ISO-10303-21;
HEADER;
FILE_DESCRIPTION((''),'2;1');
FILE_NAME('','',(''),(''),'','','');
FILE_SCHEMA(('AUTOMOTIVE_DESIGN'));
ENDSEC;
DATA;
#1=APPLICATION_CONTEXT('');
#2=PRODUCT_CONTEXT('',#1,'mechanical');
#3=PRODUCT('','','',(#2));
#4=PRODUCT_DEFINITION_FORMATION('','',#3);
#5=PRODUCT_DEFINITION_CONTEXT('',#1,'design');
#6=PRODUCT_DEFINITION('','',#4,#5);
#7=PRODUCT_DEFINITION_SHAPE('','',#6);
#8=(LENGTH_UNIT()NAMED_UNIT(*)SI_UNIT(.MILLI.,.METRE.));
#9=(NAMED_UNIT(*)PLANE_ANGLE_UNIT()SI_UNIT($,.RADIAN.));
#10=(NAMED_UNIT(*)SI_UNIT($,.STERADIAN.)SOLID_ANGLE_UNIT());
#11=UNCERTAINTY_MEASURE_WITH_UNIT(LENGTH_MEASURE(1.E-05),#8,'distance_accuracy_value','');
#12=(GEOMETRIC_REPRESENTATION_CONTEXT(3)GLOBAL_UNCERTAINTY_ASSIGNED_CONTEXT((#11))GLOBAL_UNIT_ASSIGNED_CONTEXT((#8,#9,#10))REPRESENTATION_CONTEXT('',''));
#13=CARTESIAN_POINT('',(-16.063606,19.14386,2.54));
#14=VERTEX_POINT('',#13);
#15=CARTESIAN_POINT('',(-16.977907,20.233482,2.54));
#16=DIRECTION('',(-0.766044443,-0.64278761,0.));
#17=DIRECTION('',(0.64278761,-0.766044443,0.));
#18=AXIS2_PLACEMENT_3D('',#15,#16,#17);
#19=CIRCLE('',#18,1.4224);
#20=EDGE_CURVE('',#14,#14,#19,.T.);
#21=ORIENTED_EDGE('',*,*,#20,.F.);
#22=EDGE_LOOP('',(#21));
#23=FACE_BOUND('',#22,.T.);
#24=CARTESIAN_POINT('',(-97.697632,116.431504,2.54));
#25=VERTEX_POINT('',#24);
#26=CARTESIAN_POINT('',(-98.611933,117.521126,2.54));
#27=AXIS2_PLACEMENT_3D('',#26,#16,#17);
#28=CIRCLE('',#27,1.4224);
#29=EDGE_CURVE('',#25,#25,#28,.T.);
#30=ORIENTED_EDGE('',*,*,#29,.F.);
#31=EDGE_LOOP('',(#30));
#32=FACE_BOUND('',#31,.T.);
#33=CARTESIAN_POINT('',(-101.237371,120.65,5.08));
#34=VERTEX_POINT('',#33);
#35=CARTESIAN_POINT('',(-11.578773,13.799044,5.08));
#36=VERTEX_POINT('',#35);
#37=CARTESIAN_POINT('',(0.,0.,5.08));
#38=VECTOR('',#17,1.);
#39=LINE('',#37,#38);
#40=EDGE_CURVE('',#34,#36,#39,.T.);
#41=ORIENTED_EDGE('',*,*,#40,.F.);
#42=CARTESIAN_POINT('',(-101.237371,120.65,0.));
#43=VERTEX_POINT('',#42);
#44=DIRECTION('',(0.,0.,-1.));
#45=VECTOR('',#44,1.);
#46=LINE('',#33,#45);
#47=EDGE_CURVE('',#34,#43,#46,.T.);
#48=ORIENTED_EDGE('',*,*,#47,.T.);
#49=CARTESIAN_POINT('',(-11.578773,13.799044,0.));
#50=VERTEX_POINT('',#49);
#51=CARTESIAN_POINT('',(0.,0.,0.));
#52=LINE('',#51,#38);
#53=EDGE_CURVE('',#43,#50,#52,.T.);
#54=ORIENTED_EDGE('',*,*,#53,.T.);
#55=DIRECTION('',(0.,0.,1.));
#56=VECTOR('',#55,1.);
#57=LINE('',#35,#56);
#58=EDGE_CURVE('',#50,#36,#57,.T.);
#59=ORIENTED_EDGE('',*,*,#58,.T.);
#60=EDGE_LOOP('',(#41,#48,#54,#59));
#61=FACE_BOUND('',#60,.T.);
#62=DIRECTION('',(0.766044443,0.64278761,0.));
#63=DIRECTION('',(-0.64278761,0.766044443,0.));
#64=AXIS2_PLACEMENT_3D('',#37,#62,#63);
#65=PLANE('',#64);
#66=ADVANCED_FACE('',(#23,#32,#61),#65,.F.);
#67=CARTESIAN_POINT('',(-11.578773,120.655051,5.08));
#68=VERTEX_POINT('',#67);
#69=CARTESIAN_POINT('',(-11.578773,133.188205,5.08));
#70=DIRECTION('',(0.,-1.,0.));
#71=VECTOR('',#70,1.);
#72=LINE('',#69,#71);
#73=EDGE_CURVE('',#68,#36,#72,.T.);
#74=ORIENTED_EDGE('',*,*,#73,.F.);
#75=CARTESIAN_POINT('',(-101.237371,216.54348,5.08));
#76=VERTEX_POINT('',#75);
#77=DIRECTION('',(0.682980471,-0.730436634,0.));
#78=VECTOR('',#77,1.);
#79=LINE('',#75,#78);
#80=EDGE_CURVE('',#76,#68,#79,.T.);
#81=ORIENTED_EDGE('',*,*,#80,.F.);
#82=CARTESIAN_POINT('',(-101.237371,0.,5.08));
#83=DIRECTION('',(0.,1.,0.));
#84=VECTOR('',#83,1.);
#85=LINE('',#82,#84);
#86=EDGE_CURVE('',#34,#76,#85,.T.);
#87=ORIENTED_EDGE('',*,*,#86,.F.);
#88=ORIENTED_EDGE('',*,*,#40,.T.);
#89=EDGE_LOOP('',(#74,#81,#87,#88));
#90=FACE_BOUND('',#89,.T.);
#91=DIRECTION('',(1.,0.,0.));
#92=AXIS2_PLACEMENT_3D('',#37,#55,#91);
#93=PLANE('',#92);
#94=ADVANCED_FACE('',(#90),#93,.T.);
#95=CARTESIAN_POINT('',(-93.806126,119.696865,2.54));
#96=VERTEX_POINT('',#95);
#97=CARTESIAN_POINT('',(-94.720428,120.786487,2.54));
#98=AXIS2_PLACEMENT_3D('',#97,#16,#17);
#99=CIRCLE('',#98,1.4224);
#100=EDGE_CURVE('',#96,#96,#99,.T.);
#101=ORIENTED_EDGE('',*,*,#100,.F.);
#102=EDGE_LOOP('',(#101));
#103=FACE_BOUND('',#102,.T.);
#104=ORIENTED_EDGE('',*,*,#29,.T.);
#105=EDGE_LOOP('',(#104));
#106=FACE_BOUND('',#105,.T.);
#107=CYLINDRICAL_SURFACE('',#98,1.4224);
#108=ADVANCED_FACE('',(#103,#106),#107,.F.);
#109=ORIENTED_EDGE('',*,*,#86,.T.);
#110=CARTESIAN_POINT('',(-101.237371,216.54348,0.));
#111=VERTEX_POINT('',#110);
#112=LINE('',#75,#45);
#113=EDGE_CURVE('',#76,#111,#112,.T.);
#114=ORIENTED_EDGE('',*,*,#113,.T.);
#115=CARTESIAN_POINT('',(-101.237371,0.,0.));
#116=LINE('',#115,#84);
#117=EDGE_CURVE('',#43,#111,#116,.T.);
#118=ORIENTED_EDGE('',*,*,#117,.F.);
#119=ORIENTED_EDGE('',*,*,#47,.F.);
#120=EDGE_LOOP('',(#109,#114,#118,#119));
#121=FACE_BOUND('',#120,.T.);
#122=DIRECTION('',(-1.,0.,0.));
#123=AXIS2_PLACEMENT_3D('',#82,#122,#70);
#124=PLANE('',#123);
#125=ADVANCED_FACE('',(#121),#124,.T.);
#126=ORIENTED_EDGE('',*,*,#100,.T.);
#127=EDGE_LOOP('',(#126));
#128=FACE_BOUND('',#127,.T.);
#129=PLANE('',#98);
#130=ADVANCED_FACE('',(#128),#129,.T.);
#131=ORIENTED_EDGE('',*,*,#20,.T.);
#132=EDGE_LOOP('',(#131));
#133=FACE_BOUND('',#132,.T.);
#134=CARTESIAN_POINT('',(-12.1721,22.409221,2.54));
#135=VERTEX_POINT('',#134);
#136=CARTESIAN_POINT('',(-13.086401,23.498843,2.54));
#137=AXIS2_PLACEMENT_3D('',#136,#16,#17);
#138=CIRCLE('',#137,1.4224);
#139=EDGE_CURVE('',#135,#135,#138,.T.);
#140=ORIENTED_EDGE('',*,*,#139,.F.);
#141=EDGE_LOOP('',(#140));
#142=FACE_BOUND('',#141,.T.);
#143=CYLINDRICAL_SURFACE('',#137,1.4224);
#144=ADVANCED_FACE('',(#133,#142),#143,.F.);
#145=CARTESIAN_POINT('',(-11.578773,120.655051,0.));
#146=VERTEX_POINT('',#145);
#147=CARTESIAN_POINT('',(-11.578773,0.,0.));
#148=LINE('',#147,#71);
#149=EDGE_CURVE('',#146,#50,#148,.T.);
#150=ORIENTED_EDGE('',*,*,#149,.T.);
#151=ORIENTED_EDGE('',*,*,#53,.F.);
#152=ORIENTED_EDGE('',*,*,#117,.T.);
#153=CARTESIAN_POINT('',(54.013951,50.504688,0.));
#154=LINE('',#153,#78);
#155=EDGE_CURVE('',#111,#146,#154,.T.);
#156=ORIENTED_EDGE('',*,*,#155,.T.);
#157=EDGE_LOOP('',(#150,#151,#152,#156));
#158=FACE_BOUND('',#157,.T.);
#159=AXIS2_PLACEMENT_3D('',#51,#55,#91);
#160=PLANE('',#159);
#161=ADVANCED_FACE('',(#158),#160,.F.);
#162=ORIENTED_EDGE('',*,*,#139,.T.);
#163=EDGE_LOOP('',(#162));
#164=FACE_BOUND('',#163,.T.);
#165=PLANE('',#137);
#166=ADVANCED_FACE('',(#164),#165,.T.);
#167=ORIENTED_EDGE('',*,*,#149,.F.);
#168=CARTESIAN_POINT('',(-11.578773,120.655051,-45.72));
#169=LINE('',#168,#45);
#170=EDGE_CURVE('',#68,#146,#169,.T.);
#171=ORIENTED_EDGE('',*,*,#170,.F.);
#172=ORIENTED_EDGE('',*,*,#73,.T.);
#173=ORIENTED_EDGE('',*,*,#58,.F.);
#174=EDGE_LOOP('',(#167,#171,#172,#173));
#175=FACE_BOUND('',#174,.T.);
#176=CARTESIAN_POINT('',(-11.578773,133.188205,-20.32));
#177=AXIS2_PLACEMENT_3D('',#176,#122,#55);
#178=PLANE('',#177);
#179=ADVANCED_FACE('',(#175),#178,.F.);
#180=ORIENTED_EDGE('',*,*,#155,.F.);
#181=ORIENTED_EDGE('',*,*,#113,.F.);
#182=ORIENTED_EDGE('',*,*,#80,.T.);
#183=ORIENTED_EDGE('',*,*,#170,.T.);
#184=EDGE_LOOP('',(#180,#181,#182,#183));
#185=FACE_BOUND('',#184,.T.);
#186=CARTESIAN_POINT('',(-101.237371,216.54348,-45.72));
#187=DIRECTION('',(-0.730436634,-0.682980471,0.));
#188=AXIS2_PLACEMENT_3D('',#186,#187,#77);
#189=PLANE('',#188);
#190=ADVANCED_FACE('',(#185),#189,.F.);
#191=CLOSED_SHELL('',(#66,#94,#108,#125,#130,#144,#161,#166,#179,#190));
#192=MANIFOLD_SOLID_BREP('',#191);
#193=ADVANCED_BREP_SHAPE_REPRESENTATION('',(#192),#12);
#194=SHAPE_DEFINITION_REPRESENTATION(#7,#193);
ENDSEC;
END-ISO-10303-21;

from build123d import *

# Parameters (mm, degrees)
SKETCH1_W           = 101.237370502
SKETCH1_H           = 95.893480298
BOSS_EXTRUDE1_DEPTH = 5.08
CUT_EXTRUDE1_DEPTH  = 50.8
SKETCH3_W           = 34.377834067
SKETCH3_H           = 141.590062345
CUT_EXTRUDE2_DEPTH  = 25.4
SKETCH4_R           = 1.4224
CUT_EXTRUDE3_DEPTH  = 5.08


with BuildPart() as part:
    # Sketch1 → Boss-Extrude1 (new body)
    with BuildSketch(Plane.XY):
        with Locations((-50.618685251, 168.596740149)):
            Rectangle(SKETCH1_W, SKETCH1_H)
        Polygon((-101.237370502, 120.65), (0, 120.65), (0, 0), align=None)
    extrude(amount=BOSS_EXTRUDE1_DEPTH)

    # Sketch2 → Cut-Extrude1 (cut)
    with BuildSketch(Plane.XY.offset(5.08)):
        Polygon((-101.237370502, 216.543480298), (0, 108.271740149), (0, 216.543480298), align=None)
    extrude(amount=-CUT_EXTRUDE1_DEPTH, mode=Mode.SUBTRACT)

    # Sketch3 → Cut-Extrude2 (cut)
    with BuildSketch(Plane.XY.offset(5.08)):
        with Locations((5.61014441, 62.39317364)):
            Rectangle(SKETCH3_W, SKETCH3_H)
    extrude(amount=-CUT_EXTRUDE2_DEPTH, mode=Mode.SUBTRACT)

    # Sketch4 → Cut-Extrude3 (cut)
    with BuildSketch(Plane(origin=(0, 0, 0), x_dir=(0, 0, 1), z_dir=(-0.7660444431189743, -0.6427876096865437, 0))):
        with Locations(Location((2.54, 26.412934343, 0), (0, 0, 270))):
            Circle(SKETCH4_R)
        with Locations(Location((2.54, 153.412934343, 0), (0, 0, 270))):
            Circle(SKETCH4_R)
    extrude(amount=-CUT_EXTRUDE3_DEPTH, mode=Mode.SUBTRACT)


solid = part.part
